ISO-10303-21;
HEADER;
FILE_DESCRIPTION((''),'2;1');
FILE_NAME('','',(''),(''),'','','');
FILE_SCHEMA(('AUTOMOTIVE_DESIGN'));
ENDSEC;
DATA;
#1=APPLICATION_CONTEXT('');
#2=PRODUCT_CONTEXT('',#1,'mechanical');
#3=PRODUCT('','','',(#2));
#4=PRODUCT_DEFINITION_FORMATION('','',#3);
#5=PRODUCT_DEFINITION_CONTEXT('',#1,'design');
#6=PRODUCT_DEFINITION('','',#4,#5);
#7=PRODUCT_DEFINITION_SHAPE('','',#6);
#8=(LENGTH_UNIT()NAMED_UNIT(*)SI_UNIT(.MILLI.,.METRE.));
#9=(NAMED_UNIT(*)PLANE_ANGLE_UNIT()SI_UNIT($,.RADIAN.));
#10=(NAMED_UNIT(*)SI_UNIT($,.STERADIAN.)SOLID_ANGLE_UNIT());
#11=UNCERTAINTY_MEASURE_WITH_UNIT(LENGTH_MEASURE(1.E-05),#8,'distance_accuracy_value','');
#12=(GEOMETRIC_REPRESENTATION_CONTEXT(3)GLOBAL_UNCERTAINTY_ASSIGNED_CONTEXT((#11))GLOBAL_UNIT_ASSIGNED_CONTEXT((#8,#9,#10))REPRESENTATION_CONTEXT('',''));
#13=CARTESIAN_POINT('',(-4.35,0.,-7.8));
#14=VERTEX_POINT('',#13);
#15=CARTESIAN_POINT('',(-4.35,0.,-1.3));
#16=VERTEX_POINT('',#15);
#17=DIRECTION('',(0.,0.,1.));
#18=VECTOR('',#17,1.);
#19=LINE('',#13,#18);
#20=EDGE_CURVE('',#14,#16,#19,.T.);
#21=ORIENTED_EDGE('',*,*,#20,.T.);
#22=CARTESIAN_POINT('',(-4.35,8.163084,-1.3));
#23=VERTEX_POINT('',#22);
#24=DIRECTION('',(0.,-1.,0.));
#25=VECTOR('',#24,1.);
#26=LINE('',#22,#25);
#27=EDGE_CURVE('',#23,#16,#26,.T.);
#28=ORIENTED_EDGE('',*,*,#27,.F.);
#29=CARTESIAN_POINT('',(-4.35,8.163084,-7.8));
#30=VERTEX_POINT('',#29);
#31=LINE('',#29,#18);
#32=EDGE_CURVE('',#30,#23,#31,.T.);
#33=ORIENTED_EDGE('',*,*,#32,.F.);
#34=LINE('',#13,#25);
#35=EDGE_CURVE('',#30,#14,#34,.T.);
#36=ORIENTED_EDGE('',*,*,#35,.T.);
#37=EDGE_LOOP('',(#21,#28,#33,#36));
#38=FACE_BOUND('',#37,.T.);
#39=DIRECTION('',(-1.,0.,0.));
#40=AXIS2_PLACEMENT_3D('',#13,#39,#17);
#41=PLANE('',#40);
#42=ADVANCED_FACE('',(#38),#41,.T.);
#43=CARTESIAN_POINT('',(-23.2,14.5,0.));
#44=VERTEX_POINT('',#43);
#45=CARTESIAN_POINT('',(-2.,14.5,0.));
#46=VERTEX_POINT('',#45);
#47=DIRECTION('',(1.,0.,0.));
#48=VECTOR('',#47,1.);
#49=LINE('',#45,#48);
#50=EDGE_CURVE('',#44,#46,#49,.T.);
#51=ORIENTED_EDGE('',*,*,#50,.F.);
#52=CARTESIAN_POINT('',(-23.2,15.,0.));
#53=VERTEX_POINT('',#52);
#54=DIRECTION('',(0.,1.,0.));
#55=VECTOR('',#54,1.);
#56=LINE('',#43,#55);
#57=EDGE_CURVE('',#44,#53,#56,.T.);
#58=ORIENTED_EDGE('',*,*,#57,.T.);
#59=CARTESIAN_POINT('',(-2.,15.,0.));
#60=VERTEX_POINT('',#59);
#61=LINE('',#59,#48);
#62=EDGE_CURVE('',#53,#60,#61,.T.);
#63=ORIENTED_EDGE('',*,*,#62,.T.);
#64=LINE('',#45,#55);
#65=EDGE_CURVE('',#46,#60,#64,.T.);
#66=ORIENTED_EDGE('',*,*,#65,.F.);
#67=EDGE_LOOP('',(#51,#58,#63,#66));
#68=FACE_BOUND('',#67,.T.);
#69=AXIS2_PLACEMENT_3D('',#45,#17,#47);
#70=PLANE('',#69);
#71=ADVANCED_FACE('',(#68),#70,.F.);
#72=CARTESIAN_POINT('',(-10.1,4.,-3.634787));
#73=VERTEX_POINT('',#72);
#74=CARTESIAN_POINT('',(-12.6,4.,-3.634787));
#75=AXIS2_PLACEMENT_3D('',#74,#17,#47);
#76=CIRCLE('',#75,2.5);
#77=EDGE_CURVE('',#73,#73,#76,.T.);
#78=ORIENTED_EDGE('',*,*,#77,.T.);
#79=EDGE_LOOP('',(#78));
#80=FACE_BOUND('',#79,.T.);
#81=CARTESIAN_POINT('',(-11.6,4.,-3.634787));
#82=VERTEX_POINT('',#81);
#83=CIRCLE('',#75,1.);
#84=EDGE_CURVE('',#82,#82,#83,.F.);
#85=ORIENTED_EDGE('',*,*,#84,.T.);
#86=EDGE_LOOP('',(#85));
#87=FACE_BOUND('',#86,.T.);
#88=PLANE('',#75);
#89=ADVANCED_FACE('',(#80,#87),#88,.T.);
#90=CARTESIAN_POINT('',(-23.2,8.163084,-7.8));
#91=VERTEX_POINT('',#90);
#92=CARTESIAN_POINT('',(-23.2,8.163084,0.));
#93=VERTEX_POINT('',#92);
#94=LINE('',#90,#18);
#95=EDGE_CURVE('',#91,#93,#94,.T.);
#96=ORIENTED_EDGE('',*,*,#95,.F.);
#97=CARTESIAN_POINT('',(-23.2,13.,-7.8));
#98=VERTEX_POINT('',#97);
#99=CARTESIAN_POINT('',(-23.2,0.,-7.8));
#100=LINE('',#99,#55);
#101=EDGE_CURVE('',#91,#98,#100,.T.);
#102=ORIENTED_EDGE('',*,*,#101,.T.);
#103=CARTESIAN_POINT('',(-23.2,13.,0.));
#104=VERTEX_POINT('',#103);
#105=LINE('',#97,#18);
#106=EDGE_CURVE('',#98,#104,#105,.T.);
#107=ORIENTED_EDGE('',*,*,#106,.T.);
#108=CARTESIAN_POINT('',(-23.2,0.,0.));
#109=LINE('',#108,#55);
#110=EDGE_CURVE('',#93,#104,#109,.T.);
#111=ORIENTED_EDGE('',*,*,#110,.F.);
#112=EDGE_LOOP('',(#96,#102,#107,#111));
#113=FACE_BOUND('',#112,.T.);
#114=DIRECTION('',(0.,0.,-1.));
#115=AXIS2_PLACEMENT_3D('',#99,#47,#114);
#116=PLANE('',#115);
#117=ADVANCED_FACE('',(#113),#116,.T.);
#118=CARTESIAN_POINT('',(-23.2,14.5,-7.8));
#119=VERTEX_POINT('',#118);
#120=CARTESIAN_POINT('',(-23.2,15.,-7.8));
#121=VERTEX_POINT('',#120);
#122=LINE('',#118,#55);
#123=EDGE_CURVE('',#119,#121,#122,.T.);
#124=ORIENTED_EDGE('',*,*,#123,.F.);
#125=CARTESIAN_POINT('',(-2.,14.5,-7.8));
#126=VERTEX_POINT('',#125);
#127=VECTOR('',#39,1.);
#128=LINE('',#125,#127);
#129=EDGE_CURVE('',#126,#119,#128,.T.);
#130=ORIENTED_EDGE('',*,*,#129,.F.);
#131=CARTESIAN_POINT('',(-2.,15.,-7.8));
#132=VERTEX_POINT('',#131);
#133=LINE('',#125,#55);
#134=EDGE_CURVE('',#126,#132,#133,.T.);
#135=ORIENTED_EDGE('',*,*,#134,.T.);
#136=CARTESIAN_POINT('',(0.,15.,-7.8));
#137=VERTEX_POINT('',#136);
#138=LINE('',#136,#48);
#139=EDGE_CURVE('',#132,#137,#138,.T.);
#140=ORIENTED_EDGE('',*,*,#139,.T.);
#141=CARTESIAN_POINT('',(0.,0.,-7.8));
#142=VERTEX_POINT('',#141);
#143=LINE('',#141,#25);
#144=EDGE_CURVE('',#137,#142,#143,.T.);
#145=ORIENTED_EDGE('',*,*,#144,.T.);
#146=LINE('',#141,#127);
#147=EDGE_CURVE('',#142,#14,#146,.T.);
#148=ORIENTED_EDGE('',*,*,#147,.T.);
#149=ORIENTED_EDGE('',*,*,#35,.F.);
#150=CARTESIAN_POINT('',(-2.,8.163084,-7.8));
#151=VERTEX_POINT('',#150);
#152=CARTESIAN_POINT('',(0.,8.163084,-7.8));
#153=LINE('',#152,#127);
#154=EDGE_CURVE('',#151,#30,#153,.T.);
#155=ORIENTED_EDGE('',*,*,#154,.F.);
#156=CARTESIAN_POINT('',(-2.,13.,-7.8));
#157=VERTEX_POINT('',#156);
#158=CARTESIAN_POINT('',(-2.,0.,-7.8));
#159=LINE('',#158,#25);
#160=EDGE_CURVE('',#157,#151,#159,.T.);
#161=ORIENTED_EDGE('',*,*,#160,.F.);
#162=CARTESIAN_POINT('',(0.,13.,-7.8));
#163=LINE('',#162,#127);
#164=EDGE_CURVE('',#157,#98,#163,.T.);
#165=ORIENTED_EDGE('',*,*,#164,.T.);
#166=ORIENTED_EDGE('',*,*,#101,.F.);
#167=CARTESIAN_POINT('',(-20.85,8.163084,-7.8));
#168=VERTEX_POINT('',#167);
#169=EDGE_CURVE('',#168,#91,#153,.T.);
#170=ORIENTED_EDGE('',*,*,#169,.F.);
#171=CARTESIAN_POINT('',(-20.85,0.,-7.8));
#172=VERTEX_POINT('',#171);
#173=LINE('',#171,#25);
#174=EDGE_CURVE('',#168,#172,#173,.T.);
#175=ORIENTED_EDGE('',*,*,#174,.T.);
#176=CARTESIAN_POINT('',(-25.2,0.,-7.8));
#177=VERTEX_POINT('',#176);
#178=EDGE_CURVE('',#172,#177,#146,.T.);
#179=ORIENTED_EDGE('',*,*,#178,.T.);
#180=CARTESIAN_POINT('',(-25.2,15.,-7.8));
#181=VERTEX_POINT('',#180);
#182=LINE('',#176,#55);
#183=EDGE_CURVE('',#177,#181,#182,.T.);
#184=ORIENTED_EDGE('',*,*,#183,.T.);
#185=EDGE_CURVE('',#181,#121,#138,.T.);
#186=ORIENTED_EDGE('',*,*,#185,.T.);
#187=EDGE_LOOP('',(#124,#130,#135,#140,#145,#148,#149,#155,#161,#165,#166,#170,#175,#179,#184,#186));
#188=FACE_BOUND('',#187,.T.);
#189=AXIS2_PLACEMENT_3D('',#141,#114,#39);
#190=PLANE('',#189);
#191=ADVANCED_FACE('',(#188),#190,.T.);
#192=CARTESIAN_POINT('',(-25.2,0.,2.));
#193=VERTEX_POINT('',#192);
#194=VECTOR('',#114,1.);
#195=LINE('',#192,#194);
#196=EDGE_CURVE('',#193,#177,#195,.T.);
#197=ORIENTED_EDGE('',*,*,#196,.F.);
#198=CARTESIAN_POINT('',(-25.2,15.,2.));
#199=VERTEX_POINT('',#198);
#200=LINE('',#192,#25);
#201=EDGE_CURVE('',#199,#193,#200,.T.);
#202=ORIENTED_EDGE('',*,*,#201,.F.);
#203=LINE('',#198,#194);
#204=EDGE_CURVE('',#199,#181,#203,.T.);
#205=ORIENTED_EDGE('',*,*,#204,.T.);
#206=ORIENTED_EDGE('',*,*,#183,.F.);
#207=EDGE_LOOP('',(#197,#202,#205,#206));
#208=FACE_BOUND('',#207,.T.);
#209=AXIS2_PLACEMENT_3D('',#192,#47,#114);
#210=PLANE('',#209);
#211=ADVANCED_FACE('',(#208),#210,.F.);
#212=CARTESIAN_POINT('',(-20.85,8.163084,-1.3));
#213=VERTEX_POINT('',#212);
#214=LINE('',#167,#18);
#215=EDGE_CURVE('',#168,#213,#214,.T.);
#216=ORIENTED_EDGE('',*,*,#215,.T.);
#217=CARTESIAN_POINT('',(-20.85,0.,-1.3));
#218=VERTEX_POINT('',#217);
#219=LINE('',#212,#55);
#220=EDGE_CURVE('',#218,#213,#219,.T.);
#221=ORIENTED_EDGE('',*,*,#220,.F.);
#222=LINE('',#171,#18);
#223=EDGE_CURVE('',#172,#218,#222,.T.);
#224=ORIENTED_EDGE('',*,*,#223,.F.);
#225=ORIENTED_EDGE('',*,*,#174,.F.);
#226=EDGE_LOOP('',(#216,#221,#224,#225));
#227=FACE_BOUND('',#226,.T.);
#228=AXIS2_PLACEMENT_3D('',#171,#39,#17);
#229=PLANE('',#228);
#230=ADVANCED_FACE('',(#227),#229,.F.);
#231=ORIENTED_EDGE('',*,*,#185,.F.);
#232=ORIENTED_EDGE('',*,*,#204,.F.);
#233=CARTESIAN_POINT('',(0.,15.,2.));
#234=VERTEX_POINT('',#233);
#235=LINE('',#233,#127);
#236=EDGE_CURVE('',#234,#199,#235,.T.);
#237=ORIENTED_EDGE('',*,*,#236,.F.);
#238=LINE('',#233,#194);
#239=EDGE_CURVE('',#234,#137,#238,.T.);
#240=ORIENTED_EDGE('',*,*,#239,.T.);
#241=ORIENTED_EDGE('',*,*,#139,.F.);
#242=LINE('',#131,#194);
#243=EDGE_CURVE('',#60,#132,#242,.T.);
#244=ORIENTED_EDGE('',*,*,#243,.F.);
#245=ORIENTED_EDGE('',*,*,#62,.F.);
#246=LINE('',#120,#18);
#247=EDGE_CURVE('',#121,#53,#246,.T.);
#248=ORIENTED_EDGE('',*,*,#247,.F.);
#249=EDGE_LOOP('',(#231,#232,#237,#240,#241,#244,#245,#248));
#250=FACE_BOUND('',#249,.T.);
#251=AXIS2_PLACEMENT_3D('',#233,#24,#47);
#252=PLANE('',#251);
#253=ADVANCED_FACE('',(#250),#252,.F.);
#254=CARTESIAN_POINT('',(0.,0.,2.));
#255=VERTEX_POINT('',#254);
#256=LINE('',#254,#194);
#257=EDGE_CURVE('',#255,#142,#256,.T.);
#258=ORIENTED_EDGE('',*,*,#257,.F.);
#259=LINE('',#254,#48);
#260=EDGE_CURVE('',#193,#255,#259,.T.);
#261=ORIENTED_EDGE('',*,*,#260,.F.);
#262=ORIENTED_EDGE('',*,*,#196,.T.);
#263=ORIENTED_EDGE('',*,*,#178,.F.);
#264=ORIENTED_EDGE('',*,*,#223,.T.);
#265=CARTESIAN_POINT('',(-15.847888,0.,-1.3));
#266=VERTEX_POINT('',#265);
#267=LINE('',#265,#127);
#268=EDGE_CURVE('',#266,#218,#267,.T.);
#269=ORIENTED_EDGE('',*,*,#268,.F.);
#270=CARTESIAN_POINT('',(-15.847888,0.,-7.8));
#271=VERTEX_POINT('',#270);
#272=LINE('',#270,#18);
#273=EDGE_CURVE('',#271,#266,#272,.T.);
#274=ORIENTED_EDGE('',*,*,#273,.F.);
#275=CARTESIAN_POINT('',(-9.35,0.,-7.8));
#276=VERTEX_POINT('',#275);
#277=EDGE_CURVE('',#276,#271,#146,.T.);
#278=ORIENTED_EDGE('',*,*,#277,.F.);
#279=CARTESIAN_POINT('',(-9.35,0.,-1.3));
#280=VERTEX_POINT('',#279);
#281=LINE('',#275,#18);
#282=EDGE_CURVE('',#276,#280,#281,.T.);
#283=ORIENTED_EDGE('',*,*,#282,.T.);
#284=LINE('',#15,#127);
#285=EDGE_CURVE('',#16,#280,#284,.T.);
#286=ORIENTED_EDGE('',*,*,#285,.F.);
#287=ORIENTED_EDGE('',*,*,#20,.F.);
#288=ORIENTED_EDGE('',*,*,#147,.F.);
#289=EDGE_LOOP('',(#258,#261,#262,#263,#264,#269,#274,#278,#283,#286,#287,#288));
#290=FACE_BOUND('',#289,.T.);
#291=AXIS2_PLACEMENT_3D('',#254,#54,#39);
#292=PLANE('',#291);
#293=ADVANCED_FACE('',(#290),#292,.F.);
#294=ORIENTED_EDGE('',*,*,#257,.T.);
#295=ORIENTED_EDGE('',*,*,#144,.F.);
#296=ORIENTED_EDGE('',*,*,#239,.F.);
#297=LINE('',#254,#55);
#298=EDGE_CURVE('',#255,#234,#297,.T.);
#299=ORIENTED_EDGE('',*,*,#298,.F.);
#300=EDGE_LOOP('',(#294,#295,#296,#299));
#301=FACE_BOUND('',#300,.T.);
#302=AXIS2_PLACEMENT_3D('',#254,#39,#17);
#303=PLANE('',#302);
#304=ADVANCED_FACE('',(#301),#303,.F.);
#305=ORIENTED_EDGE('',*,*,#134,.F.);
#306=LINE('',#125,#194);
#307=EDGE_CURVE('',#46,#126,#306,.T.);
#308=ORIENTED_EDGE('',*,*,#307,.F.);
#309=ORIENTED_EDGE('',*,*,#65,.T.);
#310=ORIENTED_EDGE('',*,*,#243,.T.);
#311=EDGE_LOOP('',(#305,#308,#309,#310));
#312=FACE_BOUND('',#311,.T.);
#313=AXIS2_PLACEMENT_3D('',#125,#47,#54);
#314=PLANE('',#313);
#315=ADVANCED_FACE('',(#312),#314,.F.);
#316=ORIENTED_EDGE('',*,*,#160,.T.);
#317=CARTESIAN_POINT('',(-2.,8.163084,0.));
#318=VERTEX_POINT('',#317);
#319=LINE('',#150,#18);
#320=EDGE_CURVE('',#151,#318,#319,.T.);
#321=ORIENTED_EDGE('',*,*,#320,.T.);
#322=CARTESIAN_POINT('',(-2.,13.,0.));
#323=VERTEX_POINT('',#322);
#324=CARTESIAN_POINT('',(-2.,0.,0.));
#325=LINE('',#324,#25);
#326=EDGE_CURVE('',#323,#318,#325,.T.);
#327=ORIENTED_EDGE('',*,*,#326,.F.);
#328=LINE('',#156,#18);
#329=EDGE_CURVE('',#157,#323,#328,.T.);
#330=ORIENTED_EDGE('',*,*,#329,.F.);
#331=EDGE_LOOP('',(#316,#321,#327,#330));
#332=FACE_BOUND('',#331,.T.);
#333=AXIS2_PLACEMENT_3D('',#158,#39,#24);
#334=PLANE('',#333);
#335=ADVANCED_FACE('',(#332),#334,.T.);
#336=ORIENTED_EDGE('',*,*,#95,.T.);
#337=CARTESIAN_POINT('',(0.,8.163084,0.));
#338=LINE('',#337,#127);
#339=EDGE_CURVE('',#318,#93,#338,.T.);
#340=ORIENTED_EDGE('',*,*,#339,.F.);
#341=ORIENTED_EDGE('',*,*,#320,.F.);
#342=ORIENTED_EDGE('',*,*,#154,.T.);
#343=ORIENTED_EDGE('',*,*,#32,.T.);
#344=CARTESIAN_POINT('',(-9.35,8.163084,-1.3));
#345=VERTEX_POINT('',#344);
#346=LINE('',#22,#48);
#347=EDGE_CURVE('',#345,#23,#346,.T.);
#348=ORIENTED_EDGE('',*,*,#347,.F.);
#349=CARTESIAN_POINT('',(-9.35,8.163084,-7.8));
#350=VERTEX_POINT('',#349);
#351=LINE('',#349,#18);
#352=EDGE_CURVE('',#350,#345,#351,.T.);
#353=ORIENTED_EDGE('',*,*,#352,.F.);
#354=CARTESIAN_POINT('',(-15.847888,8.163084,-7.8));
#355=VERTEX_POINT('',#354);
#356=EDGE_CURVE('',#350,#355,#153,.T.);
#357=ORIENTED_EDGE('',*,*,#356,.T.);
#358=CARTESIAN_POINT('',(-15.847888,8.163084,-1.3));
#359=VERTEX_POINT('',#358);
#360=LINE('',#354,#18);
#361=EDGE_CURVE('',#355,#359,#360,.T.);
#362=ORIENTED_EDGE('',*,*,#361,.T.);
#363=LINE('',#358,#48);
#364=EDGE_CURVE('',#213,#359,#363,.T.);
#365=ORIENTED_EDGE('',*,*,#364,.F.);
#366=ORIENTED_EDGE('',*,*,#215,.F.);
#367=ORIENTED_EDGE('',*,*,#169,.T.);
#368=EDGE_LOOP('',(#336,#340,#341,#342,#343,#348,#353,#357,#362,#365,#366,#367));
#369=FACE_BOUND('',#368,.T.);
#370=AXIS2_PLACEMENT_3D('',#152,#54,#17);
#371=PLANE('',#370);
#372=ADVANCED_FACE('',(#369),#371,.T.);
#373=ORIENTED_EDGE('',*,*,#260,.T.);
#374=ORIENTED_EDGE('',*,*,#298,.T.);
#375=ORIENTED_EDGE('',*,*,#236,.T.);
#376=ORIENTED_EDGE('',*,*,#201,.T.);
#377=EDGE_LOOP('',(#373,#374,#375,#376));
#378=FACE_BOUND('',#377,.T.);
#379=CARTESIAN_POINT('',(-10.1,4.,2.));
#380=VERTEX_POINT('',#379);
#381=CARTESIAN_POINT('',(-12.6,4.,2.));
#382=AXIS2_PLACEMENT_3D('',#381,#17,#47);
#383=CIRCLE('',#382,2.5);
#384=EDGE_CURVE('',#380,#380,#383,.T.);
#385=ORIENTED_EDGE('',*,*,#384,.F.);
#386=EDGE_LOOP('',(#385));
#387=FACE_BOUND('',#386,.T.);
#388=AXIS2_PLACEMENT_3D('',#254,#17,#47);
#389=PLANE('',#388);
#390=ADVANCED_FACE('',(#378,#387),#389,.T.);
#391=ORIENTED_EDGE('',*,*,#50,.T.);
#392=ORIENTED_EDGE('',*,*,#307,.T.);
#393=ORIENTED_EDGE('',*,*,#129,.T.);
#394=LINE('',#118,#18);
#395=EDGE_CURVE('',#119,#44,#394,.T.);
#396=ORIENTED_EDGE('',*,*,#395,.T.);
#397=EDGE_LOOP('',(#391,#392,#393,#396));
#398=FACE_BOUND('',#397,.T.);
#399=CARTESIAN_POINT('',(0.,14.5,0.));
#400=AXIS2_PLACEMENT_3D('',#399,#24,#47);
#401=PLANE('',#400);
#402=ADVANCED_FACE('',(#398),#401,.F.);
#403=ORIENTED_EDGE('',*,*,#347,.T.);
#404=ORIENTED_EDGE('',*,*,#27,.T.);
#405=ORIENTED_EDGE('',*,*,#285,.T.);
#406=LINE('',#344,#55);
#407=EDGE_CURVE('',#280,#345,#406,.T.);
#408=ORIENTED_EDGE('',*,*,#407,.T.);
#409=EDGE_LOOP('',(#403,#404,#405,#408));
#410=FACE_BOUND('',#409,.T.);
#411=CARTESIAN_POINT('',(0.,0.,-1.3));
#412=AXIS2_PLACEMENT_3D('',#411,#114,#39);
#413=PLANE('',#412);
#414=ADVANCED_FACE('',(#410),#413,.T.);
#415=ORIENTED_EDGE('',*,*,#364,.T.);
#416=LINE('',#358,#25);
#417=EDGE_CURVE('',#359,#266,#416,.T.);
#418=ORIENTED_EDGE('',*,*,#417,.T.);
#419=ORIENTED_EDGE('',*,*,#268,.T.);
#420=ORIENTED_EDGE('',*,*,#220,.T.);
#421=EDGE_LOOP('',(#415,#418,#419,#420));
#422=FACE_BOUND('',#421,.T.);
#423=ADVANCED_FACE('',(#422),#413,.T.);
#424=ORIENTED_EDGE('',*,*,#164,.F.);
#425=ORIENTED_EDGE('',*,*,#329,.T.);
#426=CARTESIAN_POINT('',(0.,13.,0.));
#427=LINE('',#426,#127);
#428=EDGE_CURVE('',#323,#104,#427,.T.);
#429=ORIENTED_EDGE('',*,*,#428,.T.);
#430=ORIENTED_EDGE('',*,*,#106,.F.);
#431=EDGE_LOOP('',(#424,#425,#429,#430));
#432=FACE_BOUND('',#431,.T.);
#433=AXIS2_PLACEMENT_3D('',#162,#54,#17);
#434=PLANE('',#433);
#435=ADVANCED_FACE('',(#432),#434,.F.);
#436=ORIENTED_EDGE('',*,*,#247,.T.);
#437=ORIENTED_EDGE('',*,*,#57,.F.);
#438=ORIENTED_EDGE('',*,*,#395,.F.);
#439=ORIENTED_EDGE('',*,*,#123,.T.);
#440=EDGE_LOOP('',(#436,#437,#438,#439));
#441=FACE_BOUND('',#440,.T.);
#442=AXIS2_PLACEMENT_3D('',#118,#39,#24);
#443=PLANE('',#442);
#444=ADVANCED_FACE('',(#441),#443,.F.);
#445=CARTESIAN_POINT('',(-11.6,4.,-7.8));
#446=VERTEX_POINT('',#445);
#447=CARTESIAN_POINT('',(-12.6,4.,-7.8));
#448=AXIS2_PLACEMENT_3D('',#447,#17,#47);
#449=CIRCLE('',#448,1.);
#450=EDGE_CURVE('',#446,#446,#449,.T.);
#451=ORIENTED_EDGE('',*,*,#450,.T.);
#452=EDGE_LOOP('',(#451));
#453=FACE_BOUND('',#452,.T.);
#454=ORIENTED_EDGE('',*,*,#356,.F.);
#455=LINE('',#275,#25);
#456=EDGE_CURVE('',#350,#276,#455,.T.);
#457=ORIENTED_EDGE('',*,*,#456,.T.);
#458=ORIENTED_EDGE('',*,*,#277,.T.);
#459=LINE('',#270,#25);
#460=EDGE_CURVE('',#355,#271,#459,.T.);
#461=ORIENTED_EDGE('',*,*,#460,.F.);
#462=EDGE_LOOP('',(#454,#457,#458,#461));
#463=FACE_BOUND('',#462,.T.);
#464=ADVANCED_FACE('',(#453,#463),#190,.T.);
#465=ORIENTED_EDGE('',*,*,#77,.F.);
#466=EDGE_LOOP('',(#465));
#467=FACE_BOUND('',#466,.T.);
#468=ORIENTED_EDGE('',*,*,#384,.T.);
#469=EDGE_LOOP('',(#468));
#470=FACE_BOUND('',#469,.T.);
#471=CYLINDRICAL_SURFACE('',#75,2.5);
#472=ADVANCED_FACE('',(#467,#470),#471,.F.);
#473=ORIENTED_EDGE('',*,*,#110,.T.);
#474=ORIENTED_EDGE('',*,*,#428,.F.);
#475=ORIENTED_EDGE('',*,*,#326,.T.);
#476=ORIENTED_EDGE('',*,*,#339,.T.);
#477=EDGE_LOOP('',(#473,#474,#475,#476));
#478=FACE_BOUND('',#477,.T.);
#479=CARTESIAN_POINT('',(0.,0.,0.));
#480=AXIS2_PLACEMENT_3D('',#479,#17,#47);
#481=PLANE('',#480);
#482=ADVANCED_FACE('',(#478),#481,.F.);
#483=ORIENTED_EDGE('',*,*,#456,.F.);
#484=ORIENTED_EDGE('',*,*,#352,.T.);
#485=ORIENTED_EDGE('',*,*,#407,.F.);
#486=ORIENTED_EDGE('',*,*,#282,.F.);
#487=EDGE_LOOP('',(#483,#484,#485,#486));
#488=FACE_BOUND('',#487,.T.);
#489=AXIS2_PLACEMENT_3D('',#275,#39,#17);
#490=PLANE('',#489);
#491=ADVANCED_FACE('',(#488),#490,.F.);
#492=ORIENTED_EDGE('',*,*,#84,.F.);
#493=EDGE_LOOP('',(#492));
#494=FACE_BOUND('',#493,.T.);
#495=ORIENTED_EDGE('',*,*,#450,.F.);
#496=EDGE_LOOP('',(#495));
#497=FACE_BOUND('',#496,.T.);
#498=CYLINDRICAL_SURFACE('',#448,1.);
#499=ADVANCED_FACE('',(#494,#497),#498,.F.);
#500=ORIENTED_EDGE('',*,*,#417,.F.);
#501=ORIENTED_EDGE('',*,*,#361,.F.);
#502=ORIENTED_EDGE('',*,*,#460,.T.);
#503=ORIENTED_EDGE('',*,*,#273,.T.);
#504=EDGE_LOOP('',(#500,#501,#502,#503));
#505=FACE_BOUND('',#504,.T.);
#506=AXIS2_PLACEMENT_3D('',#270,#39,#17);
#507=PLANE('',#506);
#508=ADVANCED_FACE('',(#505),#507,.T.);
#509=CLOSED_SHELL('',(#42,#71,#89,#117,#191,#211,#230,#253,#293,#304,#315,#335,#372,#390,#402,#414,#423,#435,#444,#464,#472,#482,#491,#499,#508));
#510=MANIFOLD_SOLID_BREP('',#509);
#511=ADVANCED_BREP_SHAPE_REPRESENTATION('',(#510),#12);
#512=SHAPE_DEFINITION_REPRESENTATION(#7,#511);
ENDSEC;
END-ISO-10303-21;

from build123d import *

# Parameters (mm, degrees)
SKETCH2_W           = 25.2
SKETCH2_H           = 15
BOSS_EXTRUDE2_DEPTH = 2
SKETCH3_W           = 21.2
SKETCH3_H           = 2
BOSS_EXTRUDE3_DEPTH = 7.8
SKETCH8_W           = 2.35
SKETCH8_H           = 8.163083502
SKETCH8_W_2         = 6.497887862
BOSS_EXTRUDE6_DEPTH = 7.8
SKETCH9_W           = 5
SKETCH9_H           = 8.163083502
SKETCH9_W_2         = 5.002112138
BOSS_EXTRUDE7_DEPTH = 1.3
SKETCH10_W          = 21.2
SKETCH10_H          = 7.8
CUT_EXTRUDE3_DEPTH  = 0.5
SKETCH12_R          = 1
CUT_EXTRUDE4_DEPTH  = 31.920543333
SKETCH13_R          = 2.5
CUT_EXTRUDE5_DEPTH  = 5.634787343


with BuildPart() as part:
    # Sketch2 → Boss-Extrude2 (new body)
    with BuildSketch(Plane.XY):
        with Locations((-12.6, 7.5)):
            Rectangle(SKETCH2_W, SKETCH2_H)
    extrude(amount=BOSS_EXTRUDE2_DEPTH)

    # Sketch3 → Boss-Extrude3 (add)
    with BuildSketch(Plane(origin=(0, 0, 0), x_dir=(-1, 0, 0), z_dir=(0, 0, -1))):
        Polygon((2, 15), (0, 15), (0, 0), (2, 0), (2, 13), align=None)
        with Locations((12.6, 14)):
            Rectangle(SKETCH3_W, SKETCH3_H)
        Polygon((25.2, 15), (23.2, 15), (23.2, 13), (23.2, 0), (25.2, 0), align=None)
    extrude(amount=BOSS_EXTRUDE3_DEPTH)

    # Sketch8 → Boss-Extrude6 (add)
    with BuildSketch(Plane(origin=(0, 0, 0), x_dir=(-1, 0, 0), z_dir=(0, 0, -1))):
        with Locations((3.175, 4.081541751)):
            Rectangle(SKETCH8_W, SKETCH8_H)
        with Locations((12.598943931, 4.081541751)):
            Rectangle(SKETCH8_W_2, SKETCH8_H)
        with Locations((22.025, 4.081541751)):
            Rectangle(SKETCH8_W, SKETCH8_H)
    extrude(amount=BOSS_EXTRUDE6_DEPTH)

    # Sketch9 → Boss-Extrude7 (add)
    with BuildSketch(Plane(origin=(0, 0, 0), x_dir=(-1, 0, 0), z_dir=(0, 0, -1))):
        with Locations((6.85, 4.081541751)):
            Rectangle(SKETCH9_W, SKETCH9_H)
        with Locations((18.348943931, 4.081541751)):
            Rectangle(SKETCH9_W_2, SKETCH9_H)
    extrude(amount=BOSS_EXTRUDE7_DEPTH)

    # Sketch10 → Cut-Extrude3 (cut)
    with BuildSketch(Plane(origin=(0, 15, 0), x_dir=(1, 0, 0), z_dir=(0, 1, 0))):
        with Locations((-12.6, 3.9)):
            Rectangle(SKETCH10_W, SKETCH10_H)
    extrude(amount=-CUT_EXTRUDE3_DEPTH, mode=Mode.SUBTRACT)

    # Sketch12 → Cut-Extrude4 (cut, through all)
    with BuildSketch(Plane.XY.offset(2)):
        with Locations((-12.6, 4)):
            Circle(SKETCH12_R)
    extrude(amount=-CUT_EXTRUDE4_DEPTH, mode=Mode.SUBTRACT)

    # Sketch13 → Cut-Extrude5 (cut)
    with BuildSketch(Plane.XY.offset(2)):
        with Locations((-12.6, 4)):
            Circle(SKETCH13_R)
    extrude(amount=-CUT_EXTRUDE5_DEPTH, mode=Mode.SUBTRACT)


solid = part.part
